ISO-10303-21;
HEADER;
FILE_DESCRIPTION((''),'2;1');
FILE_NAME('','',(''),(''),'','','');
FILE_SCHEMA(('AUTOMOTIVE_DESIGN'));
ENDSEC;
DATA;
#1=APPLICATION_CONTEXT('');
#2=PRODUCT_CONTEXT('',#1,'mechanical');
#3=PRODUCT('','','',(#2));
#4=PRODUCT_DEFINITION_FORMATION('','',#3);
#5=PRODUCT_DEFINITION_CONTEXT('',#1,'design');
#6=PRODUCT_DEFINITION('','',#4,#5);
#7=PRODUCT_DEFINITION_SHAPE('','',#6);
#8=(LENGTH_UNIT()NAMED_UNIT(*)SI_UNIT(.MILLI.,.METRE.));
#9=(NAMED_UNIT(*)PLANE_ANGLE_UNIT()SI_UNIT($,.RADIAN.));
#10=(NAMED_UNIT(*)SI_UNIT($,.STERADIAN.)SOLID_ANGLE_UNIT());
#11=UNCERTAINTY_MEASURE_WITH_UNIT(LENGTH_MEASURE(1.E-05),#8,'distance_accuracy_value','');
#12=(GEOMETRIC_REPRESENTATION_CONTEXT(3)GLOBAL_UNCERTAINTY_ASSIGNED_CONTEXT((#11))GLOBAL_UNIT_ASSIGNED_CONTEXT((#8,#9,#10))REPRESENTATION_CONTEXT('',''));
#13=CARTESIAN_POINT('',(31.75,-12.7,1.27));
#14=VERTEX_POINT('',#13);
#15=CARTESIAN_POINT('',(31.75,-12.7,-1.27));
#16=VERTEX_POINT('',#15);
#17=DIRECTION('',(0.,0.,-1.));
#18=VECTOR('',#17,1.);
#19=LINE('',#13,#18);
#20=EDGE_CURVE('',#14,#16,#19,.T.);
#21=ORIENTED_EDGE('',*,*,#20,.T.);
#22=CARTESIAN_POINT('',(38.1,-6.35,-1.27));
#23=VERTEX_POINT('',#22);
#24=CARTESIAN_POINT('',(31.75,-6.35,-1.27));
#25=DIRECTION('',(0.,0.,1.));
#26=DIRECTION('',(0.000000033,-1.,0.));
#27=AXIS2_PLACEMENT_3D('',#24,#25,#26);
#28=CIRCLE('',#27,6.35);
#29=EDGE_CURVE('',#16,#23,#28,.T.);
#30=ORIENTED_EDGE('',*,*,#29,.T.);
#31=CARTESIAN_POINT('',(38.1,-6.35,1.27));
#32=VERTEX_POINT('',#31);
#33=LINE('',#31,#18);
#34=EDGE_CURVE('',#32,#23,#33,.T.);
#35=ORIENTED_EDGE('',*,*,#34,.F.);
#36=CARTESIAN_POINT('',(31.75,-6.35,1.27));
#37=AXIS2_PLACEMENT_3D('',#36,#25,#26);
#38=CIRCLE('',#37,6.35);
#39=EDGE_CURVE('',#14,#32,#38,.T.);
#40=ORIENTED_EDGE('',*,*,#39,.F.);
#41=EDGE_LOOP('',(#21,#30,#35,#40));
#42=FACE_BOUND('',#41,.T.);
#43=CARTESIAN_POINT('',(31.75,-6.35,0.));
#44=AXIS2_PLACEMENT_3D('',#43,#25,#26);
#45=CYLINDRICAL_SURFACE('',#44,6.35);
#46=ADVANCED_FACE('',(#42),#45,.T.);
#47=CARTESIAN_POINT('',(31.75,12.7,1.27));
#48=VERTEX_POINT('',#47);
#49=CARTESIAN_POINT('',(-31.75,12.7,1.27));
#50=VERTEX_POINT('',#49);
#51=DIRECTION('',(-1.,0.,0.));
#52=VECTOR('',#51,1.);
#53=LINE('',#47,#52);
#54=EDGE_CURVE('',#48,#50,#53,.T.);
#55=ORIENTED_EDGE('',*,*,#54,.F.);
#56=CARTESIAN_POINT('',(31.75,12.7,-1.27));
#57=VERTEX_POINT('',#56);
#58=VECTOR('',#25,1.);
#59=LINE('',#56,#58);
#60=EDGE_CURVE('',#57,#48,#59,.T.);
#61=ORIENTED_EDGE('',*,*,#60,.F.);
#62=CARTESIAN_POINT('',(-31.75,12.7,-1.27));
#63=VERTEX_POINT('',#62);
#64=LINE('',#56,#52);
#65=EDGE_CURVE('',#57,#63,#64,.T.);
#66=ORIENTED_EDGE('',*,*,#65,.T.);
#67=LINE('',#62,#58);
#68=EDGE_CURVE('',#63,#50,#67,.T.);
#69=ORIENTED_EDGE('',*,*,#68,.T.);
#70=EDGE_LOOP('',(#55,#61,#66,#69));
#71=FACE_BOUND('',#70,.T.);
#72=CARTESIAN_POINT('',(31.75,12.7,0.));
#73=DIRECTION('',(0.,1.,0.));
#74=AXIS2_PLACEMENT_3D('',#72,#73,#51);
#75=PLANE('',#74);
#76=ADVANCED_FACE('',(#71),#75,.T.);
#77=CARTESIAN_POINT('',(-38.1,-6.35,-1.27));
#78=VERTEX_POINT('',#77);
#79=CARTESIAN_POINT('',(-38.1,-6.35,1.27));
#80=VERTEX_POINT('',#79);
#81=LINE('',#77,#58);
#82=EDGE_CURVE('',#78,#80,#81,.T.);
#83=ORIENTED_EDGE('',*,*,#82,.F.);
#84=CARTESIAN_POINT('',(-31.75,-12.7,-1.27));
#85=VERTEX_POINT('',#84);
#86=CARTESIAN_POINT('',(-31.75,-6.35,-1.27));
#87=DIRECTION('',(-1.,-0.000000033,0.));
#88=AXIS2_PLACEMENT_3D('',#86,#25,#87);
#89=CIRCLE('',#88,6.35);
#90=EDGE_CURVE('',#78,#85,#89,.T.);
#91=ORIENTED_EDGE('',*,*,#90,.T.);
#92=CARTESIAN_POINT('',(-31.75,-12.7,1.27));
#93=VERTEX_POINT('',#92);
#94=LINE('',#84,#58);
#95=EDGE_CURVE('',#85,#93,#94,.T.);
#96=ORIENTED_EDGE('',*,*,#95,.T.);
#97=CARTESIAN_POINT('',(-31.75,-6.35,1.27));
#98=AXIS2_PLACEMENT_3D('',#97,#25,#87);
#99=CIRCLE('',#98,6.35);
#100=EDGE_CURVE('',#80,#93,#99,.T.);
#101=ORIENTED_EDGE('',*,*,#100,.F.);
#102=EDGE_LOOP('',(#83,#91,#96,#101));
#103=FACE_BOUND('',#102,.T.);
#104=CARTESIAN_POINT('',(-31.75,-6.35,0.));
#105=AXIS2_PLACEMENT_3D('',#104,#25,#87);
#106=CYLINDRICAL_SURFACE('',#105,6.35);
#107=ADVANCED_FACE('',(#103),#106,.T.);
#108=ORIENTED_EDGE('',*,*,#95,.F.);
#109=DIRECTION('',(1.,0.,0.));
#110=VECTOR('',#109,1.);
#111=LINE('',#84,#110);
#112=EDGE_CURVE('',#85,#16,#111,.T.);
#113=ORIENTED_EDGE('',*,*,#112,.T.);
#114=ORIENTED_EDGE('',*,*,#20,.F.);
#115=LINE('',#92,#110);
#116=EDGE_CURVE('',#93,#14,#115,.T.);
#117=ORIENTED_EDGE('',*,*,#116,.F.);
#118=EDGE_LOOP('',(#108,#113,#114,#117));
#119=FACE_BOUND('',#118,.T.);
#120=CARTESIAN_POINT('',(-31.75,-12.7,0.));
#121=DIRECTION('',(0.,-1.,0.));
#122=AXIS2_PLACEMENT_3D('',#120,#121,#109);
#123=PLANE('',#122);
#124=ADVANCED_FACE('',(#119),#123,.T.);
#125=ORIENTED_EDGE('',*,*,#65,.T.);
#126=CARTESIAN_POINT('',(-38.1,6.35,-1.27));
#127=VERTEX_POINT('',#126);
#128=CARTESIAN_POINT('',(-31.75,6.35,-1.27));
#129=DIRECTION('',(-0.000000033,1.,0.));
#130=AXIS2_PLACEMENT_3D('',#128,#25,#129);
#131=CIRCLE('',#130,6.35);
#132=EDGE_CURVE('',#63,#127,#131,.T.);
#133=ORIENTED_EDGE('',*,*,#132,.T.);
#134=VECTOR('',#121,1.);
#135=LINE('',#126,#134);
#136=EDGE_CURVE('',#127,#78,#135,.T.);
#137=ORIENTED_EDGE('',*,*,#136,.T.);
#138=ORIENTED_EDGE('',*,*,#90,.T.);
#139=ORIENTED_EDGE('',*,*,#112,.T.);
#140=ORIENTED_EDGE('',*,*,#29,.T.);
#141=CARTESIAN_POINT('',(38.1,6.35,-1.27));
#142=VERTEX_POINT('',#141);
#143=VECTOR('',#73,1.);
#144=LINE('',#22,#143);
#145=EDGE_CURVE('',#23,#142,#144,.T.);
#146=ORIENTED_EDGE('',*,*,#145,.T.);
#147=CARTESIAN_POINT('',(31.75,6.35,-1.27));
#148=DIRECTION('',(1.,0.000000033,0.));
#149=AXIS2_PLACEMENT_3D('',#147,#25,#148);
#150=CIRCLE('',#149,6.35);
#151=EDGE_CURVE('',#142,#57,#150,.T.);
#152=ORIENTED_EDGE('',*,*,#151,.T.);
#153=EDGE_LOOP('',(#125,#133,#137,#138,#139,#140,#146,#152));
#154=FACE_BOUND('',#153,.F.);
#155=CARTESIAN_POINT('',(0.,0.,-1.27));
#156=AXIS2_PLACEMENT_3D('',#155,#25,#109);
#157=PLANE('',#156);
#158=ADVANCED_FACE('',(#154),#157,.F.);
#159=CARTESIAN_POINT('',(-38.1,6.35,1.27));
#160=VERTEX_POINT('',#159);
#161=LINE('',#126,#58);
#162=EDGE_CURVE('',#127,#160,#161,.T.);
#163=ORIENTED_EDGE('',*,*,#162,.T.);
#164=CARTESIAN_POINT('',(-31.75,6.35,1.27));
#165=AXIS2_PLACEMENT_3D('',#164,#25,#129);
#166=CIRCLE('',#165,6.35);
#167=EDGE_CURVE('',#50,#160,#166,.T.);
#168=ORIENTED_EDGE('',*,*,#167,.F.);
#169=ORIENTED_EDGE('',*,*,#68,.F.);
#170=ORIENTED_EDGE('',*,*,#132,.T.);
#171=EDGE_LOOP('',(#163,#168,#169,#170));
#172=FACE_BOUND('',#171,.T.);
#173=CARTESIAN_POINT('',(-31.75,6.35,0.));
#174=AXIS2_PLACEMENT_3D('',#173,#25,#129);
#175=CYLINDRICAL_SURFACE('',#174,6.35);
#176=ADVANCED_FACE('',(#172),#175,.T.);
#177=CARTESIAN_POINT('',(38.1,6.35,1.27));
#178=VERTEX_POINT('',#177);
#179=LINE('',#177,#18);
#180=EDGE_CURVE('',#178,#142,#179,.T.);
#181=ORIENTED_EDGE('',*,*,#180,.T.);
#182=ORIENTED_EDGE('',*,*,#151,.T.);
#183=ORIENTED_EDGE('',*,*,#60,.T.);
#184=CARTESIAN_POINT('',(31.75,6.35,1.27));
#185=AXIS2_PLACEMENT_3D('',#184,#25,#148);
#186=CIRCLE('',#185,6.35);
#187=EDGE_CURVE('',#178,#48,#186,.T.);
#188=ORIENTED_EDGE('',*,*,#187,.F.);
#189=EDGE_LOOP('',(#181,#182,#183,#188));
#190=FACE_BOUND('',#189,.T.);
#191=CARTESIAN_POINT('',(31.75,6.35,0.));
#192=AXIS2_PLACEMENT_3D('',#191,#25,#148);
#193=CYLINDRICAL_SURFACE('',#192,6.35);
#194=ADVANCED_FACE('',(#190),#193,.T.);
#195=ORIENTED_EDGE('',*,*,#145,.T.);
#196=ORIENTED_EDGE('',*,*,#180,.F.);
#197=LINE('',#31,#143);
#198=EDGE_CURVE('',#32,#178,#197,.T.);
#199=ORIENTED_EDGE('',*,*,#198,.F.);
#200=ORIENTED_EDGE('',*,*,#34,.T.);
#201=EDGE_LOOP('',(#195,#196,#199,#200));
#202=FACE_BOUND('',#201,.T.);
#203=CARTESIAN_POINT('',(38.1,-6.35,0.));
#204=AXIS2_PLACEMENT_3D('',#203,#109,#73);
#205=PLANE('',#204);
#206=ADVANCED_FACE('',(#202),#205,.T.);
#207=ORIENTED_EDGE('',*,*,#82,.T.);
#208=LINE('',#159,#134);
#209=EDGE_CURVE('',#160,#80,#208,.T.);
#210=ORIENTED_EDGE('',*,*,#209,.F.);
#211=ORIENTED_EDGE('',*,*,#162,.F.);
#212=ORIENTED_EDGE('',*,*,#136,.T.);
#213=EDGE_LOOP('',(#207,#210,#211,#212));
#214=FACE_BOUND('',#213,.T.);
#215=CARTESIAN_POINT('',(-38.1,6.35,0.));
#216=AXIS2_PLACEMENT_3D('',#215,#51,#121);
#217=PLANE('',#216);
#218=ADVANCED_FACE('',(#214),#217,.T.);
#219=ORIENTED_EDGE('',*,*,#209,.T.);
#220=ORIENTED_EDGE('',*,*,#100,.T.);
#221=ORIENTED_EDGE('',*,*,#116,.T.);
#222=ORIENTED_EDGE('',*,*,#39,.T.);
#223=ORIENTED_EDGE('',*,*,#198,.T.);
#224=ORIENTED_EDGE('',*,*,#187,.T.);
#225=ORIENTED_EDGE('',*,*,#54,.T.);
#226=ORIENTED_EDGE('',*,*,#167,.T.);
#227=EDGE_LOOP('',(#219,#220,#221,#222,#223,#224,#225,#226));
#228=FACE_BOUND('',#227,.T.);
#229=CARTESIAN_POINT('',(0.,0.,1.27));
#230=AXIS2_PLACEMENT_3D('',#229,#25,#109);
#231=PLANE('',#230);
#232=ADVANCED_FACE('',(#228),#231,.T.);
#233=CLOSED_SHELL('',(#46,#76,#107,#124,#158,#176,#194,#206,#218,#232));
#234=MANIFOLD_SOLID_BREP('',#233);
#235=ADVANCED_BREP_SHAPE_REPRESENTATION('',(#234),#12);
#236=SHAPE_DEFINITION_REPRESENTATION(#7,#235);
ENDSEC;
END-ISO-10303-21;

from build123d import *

# Parameters (mm, degrees)
F1_DEPTH = 1.27


with BuildPart() as f1:
    # F0 (on Top) → F1 (new body, symmetric)
    with BuildSketch(Plane.XY):
        with BuildLine():
            ThreePointArc((38.1, 6.35), (36.240128, 10.840128), (31.75, 12.7))
            Line((31.75, 12.7), (-31.75, 12.7))
            ThreePointArc((-31.75, 12.7), (-36.240128, 10.840128), (-38.1, 6.35))
            Line((-38.1, 6.35), (-38.1, -6.35))
            ThreePointArc((-38.1, -6.35), (-36.240128, -10.840128), (-31.75, -12.7))
            Line((-31.75, -12.7), (31.75, -12.7))
            ThreePointArc((31.75, -12.7), (36.240128, -10.840128), (38.1, -6.35))
            Line((38.1, -6.35), (38.1, 6.35))
        make_face()
    extrude(amount=F1_DEPTH, both=True)


solid = f1.part
